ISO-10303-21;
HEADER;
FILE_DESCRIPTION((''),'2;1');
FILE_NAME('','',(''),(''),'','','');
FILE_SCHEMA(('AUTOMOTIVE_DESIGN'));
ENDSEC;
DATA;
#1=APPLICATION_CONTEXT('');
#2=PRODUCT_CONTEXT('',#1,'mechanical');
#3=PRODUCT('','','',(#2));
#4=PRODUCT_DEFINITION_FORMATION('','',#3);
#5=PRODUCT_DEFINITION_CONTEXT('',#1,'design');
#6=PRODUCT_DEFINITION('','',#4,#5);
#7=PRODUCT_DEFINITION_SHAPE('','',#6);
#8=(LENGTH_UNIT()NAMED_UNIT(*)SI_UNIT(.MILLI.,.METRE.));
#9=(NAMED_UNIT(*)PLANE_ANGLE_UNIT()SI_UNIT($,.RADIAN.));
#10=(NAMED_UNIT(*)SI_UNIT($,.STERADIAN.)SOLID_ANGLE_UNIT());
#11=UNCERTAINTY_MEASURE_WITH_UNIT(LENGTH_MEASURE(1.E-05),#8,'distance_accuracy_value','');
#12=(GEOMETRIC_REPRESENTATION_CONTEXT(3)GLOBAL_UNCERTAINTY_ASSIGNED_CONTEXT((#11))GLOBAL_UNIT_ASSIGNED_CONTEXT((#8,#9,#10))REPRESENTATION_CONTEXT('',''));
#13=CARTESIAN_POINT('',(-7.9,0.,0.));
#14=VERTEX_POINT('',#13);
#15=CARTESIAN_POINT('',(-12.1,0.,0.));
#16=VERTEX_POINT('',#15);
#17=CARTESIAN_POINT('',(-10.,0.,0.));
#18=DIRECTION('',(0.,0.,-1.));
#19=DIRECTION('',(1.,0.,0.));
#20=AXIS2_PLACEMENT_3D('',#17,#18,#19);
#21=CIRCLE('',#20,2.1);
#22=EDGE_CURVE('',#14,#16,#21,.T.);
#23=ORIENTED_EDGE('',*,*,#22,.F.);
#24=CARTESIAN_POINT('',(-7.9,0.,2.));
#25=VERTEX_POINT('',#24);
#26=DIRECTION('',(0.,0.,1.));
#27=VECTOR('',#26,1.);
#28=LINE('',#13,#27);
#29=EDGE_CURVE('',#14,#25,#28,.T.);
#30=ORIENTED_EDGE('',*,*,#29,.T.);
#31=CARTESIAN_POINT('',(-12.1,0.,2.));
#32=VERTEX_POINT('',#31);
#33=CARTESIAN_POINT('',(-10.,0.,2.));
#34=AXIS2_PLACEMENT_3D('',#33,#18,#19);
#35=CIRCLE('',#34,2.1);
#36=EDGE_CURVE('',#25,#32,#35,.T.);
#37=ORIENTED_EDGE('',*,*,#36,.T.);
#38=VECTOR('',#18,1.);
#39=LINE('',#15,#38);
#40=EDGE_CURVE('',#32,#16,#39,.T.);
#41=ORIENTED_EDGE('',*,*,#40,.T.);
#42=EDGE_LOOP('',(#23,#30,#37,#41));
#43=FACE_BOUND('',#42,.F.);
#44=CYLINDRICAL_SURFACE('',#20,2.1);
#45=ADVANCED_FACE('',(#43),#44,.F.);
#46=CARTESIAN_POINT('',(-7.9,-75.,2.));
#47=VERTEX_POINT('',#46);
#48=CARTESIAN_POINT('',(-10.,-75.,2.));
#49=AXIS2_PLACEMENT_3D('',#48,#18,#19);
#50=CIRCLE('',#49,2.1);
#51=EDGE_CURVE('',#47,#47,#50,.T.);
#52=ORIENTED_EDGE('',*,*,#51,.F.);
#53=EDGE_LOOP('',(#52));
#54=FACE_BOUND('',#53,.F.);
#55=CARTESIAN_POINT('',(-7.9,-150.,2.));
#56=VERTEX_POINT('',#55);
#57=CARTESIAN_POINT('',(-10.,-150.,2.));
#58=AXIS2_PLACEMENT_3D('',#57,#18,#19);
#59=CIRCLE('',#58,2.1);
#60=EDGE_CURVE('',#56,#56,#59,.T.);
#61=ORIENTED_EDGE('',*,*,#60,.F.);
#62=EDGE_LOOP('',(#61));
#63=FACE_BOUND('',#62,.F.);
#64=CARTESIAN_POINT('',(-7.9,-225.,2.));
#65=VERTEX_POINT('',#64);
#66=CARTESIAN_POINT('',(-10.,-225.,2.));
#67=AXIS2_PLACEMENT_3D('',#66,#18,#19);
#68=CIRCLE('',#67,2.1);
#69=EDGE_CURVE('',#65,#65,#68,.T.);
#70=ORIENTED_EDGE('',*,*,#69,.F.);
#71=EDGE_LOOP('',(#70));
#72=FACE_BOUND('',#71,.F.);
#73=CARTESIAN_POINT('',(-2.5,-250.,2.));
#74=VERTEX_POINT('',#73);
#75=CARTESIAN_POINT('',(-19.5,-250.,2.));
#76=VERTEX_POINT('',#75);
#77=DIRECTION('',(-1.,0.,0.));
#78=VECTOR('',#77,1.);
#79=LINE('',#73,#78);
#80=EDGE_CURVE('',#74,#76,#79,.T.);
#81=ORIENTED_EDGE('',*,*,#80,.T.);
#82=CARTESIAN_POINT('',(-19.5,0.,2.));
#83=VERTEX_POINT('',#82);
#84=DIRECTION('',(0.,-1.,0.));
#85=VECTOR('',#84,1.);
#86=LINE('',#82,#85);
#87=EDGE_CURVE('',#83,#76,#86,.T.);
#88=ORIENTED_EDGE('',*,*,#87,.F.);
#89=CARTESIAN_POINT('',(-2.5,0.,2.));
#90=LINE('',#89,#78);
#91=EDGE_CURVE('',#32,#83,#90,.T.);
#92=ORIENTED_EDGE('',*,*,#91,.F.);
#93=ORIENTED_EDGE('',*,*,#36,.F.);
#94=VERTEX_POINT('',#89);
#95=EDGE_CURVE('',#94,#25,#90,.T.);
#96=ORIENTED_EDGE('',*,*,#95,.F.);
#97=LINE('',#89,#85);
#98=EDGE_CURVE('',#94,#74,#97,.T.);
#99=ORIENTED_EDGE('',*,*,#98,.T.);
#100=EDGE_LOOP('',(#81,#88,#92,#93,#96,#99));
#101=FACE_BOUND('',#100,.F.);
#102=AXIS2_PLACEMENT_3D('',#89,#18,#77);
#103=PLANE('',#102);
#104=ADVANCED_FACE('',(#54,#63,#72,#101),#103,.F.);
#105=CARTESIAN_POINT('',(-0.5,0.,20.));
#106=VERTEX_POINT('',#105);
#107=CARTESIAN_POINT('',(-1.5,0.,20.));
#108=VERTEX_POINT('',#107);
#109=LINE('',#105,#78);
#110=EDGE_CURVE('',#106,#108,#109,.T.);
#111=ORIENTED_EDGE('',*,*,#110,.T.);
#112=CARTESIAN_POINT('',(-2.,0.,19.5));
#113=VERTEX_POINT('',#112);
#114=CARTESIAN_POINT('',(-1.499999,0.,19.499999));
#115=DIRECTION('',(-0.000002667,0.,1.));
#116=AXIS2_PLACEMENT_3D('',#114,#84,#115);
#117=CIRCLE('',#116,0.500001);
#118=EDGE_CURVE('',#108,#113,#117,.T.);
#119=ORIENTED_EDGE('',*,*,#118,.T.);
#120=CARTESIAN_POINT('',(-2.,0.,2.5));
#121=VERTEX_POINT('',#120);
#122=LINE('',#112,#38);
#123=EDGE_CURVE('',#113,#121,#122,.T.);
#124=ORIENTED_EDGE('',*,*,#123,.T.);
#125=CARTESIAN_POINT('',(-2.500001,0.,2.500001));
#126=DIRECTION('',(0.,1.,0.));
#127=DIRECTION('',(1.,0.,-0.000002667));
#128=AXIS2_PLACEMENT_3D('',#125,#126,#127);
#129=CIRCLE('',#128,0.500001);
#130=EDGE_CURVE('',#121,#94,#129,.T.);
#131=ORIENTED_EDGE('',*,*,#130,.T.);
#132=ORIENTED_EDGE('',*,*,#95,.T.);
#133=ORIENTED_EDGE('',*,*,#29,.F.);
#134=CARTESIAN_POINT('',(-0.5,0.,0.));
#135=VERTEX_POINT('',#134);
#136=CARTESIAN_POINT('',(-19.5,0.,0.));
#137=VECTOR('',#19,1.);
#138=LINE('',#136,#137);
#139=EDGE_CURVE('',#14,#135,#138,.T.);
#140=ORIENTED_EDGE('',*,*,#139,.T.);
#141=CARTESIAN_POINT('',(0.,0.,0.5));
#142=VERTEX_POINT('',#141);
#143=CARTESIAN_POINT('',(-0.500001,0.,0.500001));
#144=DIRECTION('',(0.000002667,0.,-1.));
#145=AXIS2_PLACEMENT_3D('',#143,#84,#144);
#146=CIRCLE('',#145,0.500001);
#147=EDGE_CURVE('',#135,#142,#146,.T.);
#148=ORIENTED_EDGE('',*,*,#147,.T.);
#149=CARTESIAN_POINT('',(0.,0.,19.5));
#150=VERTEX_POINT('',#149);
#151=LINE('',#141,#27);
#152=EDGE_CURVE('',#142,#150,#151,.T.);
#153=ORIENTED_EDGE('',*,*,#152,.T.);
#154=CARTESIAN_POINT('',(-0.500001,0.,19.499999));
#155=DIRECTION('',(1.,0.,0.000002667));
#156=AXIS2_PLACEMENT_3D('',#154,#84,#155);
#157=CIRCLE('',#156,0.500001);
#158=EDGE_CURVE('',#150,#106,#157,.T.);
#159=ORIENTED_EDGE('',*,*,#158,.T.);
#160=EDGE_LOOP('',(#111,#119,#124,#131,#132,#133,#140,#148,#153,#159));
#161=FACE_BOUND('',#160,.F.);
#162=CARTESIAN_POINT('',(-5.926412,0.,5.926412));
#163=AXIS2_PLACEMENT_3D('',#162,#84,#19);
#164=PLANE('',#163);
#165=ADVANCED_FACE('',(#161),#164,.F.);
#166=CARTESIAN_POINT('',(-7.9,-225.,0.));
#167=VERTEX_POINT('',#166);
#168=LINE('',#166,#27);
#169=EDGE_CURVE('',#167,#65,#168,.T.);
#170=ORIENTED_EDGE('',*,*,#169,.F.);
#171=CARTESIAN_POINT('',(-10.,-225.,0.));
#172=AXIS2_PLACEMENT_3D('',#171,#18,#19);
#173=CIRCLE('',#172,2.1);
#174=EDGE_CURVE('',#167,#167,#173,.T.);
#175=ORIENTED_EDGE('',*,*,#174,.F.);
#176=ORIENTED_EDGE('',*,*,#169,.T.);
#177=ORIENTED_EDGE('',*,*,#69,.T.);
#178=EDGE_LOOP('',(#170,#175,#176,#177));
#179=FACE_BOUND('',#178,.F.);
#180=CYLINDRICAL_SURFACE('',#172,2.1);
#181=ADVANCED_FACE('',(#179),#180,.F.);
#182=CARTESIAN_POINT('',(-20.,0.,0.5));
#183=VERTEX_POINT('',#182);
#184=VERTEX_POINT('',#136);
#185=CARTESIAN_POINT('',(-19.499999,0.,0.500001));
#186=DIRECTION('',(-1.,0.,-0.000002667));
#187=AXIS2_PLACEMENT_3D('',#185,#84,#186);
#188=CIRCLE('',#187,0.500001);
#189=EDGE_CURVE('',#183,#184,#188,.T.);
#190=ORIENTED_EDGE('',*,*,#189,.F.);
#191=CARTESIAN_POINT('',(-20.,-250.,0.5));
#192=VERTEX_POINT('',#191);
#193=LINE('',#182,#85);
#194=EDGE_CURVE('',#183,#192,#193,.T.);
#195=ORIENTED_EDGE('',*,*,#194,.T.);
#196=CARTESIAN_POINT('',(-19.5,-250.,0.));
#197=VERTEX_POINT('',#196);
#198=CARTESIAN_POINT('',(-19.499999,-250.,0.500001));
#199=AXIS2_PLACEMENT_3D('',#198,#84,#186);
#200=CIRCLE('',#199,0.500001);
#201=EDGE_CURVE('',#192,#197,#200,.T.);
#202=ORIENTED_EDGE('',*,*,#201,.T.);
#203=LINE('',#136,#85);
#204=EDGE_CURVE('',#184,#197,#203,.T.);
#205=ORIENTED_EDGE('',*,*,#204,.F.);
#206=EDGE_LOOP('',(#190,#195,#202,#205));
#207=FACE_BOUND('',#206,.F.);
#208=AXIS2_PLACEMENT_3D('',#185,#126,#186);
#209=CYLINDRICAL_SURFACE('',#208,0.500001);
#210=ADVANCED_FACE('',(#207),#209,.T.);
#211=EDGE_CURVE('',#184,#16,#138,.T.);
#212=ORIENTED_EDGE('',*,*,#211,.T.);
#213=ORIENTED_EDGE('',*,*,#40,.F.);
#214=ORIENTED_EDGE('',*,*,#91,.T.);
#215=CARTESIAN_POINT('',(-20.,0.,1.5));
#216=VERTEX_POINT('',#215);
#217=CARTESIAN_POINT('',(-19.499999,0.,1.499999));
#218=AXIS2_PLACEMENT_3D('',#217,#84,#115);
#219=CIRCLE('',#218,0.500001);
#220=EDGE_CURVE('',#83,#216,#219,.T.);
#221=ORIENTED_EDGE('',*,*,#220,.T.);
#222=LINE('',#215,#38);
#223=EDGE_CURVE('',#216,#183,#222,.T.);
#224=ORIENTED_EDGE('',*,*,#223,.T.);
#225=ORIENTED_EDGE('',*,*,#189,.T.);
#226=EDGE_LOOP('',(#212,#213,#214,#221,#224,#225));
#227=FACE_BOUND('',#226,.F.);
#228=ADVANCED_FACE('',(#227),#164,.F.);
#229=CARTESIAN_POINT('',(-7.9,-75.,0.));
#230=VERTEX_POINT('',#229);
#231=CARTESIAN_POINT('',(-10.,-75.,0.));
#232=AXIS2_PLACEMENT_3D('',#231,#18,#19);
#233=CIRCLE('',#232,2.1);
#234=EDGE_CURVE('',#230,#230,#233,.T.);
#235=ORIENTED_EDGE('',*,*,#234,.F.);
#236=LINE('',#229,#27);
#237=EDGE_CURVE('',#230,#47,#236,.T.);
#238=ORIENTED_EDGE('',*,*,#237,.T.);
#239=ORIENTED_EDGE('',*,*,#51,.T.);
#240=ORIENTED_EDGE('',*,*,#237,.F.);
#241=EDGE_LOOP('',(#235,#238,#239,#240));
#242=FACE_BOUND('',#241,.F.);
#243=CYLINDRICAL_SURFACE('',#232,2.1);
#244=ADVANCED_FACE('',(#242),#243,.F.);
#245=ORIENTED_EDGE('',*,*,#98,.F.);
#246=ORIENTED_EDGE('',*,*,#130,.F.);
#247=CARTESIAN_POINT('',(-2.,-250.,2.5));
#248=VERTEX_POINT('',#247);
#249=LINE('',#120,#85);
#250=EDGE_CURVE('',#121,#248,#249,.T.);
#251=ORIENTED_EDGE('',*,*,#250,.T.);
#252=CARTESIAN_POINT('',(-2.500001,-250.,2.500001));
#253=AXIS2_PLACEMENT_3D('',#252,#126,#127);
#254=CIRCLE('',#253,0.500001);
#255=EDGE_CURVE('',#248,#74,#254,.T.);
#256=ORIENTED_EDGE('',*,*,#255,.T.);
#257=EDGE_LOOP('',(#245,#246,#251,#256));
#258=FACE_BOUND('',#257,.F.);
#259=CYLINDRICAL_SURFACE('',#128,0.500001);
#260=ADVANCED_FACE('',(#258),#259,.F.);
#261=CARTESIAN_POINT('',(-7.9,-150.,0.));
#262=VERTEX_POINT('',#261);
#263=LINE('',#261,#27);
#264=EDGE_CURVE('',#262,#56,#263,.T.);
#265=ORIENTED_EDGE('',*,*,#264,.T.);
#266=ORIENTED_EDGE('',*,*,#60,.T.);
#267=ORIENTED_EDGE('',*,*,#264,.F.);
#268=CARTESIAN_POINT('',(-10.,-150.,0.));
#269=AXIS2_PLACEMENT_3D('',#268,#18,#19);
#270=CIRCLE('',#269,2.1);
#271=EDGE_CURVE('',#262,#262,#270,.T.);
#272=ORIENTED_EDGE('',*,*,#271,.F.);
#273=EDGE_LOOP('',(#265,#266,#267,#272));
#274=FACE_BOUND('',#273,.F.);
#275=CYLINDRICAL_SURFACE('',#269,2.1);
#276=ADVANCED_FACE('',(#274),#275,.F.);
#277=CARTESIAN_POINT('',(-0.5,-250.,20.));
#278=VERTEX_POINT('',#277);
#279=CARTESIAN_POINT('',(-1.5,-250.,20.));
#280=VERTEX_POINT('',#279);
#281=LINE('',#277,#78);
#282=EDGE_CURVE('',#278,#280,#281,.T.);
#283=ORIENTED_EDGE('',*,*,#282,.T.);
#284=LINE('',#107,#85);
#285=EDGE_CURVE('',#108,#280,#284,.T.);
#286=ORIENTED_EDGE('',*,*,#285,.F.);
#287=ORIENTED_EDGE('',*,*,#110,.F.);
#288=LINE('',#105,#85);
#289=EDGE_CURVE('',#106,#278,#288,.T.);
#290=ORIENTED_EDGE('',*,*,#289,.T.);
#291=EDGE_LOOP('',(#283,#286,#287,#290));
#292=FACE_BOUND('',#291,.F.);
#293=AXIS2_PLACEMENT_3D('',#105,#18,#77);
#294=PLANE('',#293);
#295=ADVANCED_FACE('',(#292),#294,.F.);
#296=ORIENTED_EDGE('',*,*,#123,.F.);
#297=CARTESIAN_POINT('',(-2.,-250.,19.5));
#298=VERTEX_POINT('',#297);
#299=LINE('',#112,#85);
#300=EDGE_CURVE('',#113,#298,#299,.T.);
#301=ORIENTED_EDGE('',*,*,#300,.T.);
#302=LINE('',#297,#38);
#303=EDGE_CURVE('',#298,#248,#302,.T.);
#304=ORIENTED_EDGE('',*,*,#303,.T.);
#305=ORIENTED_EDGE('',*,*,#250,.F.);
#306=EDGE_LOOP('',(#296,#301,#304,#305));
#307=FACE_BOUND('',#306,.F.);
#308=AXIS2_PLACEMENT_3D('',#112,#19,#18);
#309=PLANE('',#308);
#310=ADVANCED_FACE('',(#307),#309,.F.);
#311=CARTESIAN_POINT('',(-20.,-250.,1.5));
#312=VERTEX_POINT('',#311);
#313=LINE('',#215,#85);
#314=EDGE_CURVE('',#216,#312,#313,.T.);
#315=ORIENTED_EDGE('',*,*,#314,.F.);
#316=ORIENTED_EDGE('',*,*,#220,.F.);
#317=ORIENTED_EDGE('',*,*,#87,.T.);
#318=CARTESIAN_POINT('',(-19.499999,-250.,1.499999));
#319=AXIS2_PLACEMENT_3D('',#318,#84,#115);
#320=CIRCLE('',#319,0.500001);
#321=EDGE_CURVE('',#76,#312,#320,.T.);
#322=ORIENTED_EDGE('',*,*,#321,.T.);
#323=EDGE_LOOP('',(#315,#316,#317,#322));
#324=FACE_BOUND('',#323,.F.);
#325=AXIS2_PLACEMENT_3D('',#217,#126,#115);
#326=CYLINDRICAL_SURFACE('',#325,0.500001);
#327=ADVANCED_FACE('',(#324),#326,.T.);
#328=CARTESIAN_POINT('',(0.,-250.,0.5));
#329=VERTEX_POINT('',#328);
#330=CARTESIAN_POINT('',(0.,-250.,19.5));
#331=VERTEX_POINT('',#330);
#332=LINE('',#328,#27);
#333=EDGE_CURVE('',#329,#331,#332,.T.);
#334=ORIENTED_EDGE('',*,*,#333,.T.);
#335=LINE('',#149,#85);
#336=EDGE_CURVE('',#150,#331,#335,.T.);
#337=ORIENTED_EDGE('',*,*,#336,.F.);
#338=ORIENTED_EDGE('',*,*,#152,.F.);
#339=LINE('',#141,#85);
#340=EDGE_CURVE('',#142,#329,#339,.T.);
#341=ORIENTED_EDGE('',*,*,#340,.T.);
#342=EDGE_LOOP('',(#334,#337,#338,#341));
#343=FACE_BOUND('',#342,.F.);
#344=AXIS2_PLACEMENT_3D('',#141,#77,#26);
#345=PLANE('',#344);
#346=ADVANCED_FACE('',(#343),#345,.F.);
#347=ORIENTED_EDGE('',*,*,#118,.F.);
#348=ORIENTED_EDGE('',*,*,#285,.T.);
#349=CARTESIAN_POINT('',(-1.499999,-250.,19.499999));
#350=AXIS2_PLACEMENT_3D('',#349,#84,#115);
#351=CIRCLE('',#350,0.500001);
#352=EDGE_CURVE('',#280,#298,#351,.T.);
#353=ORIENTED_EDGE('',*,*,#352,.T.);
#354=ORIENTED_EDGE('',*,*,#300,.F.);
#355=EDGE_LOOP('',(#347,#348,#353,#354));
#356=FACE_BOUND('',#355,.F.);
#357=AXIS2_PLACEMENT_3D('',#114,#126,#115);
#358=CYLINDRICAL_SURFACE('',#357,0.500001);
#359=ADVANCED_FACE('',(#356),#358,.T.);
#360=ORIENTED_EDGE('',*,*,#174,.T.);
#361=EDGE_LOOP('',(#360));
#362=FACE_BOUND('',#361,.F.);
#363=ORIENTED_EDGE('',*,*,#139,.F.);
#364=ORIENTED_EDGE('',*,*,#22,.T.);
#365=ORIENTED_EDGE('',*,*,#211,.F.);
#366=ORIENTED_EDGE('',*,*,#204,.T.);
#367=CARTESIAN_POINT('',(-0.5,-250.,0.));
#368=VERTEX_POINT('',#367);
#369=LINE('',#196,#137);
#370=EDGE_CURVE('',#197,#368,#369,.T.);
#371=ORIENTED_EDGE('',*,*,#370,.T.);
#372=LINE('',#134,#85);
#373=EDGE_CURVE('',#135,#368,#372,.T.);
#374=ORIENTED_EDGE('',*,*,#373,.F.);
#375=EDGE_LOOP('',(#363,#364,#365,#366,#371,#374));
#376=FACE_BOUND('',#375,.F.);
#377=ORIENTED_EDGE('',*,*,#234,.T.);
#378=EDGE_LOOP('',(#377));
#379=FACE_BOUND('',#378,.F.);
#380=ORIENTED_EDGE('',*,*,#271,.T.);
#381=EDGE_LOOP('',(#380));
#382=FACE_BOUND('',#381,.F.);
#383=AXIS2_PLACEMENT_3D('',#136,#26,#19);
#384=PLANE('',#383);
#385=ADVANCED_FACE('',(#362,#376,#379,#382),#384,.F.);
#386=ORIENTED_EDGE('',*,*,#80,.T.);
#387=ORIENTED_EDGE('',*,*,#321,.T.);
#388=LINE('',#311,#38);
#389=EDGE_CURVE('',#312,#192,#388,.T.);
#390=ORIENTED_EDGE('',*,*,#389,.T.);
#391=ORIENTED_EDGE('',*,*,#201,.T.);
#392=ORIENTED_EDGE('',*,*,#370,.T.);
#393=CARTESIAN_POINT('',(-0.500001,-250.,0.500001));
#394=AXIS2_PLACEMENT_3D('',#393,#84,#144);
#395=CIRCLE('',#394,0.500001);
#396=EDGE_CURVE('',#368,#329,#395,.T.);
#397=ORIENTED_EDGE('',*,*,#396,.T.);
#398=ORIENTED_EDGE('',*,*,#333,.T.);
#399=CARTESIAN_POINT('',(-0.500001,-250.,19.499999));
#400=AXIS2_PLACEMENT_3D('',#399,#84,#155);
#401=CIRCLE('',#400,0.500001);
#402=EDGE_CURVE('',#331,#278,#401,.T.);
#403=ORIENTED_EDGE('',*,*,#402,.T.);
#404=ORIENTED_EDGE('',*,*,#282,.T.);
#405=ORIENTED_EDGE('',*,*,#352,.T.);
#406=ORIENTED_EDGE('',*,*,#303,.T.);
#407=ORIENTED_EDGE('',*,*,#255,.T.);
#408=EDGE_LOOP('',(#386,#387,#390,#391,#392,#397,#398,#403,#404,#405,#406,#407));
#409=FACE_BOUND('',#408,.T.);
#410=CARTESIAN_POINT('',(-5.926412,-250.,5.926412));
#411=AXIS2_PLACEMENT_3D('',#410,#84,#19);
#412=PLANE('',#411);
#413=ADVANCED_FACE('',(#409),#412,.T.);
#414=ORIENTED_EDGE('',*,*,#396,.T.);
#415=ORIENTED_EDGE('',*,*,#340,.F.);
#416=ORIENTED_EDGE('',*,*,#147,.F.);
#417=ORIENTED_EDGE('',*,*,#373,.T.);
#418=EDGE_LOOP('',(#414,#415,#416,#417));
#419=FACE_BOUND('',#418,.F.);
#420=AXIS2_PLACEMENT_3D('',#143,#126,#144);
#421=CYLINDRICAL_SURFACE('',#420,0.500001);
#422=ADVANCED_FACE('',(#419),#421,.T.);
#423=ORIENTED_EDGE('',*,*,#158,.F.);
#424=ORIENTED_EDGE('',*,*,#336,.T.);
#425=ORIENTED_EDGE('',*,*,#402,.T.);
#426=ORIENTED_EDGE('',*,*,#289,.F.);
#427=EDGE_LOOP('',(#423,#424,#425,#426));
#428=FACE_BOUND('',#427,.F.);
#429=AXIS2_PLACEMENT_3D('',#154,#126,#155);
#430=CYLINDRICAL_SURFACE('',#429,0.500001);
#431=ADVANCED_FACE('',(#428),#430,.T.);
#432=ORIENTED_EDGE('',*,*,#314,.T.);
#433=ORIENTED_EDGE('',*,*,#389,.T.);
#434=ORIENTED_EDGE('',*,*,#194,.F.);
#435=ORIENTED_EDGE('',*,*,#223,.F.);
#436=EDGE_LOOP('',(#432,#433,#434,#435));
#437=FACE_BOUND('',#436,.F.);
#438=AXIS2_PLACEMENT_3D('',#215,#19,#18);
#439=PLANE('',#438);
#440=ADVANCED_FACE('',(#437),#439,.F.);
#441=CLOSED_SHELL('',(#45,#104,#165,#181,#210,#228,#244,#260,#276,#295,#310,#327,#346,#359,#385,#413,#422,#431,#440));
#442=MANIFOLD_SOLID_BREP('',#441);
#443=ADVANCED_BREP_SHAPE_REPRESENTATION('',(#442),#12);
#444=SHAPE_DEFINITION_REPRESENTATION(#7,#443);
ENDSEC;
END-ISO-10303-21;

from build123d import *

# Parameters (mm, degrees)
F1_DEPTH = 250
F2_R     = 2.1
F3_DEPTH = 25


with BuildPart() as f1:
    # F0 (on Front) → F1 (new body)
    with BuildSketch(Plane.XZ):
        with BuildLine():
            ThreePointArc((-0.5, 0), (-0.146447, 0.146447), (0, 0.5))
            Line((0, 0.5), (0, 19.5))
            ThreePointArc((0, 19.5), (-0.146447, 19.853553), (-0.5, 20))
            Line((-0.5, 20), (-1.5, 20))
            ThreePointArc((-1.5, 20), (-1.853553, 19.853553), (-2, 19.5))
            Line((-2, 19.5), (-2, 2.5))
            ThreePointArc((-2, 2.5), (-2.146447, 2.146447), (-2.5, 2))
            Line((-2.5, 2), (-19.5, 2))
            ThreePointArc((-19.5, 2), (-19.853553, 1.853553), (-20, 1.5))
            Line((-20, 1.5), (-20, 0.5))
            ThreePointArc((-20, 0.5), (-19.853553, 0.146447), (-19.5, 0))
            Line((-19.5, 0), (-0.5, 0))
        make_face()
    extrude(amount=F1_DEPTH)

    # F2 (on face) → F3 (cut)
    with BuildSketch(Plane(origin=(0, 0, 0), x_dir=(1, 0, 0), z_dir=(0, 0, -1))):
        with Locations((-10, 225)):
            Circle(F2_R)
        with Locations((-10, 150)):
            Circle(F2_R)
        with Locations((-10, 75)):
            Circle(F2_R)
        with Locations((-10, 0)):
            Circle(F2_R)
        with Locations((-10, -75)):
            Circle(F2_R)
    extrude(amount=-F3_DEPTH, mode=Mode.SUBTRACT)


solid = f1.part
